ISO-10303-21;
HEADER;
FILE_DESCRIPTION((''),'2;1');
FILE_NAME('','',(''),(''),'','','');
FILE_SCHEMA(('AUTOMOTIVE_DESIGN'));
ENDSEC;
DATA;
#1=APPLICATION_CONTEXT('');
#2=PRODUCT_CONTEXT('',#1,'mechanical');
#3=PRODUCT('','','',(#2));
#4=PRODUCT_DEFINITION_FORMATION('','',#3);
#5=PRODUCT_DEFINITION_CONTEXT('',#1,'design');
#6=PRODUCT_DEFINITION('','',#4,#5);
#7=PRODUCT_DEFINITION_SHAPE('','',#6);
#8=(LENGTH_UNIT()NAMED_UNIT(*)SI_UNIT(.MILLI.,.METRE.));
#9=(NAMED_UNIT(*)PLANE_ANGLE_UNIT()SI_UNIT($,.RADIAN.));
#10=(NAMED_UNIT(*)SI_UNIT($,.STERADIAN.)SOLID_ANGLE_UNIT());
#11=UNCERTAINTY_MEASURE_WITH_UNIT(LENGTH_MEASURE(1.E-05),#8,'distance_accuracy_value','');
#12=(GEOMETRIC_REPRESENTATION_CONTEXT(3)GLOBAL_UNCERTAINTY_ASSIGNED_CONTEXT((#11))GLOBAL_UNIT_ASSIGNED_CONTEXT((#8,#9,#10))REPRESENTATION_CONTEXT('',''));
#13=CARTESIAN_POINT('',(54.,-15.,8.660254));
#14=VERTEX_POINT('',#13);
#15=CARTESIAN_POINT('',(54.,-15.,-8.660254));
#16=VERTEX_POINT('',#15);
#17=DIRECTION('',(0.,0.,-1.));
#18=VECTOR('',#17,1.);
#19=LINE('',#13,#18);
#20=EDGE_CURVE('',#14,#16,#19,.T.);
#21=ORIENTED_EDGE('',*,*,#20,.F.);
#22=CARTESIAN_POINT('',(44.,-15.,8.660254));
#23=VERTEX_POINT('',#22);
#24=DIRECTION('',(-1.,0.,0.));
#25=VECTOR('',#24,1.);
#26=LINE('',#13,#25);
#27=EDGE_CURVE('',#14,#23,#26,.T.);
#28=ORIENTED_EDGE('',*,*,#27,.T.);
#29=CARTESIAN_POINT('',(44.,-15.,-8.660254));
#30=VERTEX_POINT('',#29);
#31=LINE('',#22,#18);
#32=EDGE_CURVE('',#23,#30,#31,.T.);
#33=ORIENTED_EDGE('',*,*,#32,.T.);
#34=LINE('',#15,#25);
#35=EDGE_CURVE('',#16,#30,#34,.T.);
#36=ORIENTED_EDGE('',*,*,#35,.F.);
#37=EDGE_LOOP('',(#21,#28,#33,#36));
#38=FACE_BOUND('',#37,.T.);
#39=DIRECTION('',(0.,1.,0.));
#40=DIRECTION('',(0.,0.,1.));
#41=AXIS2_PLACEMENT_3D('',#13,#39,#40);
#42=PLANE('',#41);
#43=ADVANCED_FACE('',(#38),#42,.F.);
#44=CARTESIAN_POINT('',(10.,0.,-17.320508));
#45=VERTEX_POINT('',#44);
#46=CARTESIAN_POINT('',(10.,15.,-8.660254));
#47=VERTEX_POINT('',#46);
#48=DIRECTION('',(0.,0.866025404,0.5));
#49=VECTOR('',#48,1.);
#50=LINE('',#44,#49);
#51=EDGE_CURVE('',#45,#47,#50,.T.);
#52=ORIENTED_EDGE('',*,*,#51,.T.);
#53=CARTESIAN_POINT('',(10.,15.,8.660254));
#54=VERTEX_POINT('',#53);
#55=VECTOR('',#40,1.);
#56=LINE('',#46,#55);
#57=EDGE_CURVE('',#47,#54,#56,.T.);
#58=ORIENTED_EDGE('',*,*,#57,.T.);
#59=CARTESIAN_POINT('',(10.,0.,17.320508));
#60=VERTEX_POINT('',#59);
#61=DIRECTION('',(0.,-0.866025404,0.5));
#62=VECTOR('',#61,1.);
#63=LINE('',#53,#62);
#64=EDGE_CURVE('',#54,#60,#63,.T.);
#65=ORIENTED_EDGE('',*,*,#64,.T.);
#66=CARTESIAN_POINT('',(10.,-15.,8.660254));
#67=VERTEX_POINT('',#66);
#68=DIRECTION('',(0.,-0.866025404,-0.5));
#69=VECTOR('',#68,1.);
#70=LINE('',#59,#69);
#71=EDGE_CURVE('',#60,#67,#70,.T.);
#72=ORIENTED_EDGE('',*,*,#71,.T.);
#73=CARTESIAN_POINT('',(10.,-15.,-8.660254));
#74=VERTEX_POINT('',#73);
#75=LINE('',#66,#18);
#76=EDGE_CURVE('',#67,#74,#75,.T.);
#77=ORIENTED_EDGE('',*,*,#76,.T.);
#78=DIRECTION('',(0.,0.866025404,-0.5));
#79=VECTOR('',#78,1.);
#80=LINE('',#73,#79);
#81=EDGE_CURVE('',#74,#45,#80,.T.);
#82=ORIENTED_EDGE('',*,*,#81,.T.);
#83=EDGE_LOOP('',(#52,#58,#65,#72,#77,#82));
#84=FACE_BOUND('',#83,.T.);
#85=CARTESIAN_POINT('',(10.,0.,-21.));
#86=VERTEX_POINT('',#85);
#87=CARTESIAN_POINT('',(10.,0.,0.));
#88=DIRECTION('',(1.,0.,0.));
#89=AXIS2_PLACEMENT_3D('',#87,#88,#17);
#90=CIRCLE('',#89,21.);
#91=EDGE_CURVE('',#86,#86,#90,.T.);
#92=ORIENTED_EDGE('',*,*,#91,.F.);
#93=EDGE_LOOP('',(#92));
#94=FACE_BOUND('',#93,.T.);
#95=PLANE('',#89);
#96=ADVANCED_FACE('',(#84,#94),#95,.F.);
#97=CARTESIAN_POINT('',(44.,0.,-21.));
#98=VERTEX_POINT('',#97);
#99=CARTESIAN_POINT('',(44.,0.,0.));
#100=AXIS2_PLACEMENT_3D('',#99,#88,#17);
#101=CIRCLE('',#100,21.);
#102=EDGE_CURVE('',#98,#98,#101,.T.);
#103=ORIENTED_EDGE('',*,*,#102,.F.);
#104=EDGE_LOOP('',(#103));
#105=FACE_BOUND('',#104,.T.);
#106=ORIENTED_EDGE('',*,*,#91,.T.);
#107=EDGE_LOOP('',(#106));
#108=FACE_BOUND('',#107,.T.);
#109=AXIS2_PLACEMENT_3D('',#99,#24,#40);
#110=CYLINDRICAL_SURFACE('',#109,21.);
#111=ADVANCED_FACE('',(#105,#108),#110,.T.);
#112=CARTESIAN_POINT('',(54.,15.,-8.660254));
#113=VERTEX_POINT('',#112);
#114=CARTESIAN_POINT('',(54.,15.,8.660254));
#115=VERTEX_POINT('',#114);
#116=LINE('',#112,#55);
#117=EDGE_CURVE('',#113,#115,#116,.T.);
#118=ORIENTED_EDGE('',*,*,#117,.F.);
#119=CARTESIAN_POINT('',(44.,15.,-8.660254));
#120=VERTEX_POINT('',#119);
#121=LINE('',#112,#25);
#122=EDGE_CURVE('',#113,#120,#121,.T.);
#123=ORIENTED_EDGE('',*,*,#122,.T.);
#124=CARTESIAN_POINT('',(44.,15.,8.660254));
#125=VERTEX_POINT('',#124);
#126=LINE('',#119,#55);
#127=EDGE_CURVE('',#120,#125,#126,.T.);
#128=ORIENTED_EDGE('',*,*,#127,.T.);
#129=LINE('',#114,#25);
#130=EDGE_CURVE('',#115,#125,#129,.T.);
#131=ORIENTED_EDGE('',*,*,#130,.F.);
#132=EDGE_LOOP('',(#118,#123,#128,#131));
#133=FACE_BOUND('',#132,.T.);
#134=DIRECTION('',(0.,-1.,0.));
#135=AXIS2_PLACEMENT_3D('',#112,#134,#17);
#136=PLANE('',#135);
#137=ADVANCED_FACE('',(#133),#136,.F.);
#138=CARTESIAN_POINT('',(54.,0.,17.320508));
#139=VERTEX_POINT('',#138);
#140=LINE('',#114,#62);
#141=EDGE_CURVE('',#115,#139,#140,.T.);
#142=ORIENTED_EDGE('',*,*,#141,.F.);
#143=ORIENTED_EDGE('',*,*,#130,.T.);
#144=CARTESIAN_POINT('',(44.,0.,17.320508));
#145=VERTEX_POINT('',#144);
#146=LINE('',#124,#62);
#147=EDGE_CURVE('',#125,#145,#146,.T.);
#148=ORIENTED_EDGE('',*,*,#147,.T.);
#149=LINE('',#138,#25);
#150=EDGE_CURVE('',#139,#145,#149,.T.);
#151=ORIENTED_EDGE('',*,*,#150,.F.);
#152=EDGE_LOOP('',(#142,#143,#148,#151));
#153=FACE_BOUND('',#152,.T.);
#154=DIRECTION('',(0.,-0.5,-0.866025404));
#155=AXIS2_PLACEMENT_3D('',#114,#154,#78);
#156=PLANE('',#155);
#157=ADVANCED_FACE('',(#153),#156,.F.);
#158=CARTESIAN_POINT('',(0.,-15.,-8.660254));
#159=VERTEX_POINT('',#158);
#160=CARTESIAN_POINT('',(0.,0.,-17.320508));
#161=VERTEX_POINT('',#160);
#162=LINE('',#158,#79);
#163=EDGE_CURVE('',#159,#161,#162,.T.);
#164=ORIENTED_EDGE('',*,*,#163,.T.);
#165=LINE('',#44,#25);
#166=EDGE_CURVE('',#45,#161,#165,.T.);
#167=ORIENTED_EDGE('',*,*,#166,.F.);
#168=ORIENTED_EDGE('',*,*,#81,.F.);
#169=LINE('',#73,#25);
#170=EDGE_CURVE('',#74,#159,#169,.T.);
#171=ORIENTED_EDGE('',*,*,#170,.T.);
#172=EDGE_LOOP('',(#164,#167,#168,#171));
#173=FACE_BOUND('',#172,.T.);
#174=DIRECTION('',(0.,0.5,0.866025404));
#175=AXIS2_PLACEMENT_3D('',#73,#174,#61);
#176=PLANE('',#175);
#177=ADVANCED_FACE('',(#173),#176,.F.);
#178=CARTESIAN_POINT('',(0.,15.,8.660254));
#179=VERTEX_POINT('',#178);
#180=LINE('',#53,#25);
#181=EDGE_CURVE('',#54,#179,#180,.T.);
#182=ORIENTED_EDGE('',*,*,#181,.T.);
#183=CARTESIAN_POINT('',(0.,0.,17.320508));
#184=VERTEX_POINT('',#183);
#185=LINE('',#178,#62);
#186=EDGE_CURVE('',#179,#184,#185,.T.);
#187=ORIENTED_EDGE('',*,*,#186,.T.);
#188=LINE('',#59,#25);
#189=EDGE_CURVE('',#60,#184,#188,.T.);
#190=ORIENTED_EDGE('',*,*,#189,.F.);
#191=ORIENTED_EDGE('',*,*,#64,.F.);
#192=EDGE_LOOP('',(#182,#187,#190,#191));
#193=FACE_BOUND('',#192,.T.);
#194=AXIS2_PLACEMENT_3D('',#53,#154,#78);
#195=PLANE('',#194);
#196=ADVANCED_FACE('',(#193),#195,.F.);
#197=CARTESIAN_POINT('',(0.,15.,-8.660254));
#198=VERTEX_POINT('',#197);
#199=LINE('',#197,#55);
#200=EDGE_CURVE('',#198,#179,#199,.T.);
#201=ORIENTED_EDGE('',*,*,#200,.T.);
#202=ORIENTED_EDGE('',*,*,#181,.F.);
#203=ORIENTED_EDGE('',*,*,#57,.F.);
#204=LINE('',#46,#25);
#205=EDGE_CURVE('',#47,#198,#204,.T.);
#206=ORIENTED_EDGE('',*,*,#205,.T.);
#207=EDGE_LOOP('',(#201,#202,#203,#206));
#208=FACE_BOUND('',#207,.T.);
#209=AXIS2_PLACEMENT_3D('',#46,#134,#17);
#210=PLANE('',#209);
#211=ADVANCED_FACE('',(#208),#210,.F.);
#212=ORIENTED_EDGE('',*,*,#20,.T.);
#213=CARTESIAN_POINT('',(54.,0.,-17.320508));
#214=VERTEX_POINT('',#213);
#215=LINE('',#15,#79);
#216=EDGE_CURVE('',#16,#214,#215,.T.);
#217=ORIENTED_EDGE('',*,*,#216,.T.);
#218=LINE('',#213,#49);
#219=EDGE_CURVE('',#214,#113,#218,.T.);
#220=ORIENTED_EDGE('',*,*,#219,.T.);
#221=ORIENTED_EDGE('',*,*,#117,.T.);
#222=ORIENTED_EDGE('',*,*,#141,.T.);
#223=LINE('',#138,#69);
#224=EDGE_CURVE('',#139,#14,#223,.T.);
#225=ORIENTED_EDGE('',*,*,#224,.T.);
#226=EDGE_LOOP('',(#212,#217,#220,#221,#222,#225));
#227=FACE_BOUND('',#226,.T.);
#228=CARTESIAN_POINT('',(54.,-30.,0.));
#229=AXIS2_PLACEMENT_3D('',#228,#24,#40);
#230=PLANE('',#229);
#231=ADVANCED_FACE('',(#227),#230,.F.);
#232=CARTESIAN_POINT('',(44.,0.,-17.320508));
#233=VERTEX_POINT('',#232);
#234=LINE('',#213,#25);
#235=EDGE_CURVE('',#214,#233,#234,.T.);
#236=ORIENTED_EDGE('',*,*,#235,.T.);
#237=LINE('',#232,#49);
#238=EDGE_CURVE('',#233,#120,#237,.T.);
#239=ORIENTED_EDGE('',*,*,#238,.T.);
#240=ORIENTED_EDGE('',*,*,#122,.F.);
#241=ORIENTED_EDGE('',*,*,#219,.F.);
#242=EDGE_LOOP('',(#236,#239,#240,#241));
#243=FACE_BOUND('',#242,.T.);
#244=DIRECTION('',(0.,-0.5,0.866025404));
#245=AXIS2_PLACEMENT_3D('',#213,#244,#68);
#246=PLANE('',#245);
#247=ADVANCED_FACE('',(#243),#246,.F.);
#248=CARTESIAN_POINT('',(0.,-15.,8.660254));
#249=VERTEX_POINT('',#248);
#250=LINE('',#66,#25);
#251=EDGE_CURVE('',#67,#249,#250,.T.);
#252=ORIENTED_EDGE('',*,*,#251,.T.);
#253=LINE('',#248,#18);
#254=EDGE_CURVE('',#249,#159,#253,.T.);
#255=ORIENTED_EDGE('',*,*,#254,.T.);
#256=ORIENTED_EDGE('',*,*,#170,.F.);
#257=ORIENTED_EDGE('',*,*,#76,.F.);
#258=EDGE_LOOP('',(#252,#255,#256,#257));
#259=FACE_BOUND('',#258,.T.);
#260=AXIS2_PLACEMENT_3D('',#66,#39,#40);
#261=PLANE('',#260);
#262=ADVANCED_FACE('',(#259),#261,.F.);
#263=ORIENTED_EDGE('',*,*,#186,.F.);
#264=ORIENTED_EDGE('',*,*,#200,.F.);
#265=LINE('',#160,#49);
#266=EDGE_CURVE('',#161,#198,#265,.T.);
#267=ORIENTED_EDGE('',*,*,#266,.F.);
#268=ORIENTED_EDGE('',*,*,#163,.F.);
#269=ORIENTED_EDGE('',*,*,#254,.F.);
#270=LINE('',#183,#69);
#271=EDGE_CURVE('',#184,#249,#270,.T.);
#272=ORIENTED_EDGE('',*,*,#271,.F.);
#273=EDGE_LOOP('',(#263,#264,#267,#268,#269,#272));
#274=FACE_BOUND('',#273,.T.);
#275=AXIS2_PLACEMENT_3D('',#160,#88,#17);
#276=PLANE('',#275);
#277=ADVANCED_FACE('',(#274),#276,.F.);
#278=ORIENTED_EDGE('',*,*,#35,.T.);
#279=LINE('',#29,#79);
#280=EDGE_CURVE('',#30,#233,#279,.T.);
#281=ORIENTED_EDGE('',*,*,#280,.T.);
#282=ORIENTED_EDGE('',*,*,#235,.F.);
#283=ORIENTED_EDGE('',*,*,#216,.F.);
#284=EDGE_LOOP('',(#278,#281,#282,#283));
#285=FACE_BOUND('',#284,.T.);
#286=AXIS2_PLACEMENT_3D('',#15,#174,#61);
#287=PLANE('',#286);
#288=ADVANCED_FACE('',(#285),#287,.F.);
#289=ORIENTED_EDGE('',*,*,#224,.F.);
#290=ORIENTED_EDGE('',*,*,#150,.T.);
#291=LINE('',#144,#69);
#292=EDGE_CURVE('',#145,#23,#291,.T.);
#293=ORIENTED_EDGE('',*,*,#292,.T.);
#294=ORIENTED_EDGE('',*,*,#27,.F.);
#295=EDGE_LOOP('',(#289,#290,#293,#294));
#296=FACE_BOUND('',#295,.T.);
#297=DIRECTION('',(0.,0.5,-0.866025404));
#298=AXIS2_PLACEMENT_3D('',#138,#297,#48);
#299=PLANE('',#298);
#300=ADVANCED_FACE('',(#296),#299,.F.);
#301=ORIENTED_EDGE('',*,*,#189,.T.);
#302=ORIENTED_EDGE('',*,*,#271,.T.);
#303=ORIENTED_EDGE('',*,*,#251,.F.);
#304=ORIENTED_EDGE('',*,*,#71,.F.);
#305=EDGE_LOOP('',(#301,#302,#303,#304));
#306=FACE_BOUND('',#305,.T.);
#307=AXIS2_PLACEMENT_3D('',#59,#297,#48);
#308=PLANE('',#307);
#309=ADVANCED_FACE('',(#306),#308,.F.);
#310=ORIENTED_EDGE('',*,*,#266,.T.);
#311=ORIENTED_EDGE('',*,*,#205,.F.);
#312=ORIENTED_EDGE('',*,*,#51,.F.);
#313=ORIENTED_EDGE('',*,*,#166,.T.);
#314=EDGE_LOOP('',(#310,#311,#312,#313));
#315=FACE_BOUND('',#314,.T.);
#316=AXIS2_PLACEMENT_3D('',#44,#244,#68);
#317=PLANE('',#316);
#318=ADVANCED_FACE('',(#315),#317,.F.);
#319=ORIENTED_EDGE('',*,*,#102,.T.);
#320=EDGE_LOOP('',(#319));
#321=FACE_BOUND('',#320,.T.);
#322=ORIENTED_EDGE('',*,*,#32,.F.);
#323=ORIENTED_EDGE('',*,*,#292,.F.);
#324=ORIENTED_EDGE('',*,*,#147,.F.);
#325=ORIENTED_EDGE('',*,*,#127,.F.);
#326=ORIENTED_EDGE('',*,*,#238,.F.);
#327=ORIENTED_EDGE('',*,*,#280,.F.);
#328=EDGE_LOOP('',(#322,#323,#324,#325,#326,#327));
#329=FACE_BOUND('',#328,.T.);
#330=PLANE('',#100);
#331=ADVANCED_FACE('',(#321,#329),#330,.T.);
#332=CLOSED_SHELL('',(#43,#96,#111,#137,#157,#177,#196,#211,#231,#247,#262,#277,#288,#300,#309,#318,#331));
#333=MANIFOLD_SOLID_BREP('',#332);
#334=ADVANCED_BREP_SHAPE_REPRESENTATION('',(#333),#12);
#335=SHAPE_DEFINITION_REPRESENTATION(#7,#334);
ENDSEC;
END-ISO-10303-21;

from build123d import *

# Parameters (mm, degrees)
EXTRUDE_305_DEPTH = 10
SKETCH_2_R        = 21
EXTRUDE_1_DEPTH   = 34
EXTRUDE_2_DEPTH   = 10


with BuildPart() as part:
    # Эскиз1 → Extrude 305 (new body)
    with BuildSketch(Plane(origin=(0, 0, 0), x_dir=(0, 0, -1), z_dir=(1, 0, 0))):
        Polygon((17.320508076, 0), (8.660254038, 15), (-8.660254038, 15), (-17.320508076, 0), (-8.660254038, -15), (8.660254038, -15), align=None)
    extrude(amount=EXTRUDE_305_DEPTH)

    # Эскиз2 → Бобышка-Вытянуть1 (add)
    with BuildSketch(Plane(origin=(10, 0, 0), x_dir=(0, 0, -1), z_dir=(1, 0, 0))):
        Circle(SKETCH_2_R)
    extrude(amount=EXTRUDE_1_DEPTH)

    # Эскиз3 → Бобышка-Вытянуть2 (add)
    with BuildSketch(Plane(origin=(44, 0, 0), x_dir=(0, 0, -1), z_dir=(1, 0, 0))):
        Polygon((17.320508076, 0), (8.660254038, 15), (-8.660254038, 15), (-17.320508076, 0), (-8.660254038, -15), (8.660254038, -15), align=None)
    extrude(amount=EXTRUDE_2_DEPTH)


solid = part.part
